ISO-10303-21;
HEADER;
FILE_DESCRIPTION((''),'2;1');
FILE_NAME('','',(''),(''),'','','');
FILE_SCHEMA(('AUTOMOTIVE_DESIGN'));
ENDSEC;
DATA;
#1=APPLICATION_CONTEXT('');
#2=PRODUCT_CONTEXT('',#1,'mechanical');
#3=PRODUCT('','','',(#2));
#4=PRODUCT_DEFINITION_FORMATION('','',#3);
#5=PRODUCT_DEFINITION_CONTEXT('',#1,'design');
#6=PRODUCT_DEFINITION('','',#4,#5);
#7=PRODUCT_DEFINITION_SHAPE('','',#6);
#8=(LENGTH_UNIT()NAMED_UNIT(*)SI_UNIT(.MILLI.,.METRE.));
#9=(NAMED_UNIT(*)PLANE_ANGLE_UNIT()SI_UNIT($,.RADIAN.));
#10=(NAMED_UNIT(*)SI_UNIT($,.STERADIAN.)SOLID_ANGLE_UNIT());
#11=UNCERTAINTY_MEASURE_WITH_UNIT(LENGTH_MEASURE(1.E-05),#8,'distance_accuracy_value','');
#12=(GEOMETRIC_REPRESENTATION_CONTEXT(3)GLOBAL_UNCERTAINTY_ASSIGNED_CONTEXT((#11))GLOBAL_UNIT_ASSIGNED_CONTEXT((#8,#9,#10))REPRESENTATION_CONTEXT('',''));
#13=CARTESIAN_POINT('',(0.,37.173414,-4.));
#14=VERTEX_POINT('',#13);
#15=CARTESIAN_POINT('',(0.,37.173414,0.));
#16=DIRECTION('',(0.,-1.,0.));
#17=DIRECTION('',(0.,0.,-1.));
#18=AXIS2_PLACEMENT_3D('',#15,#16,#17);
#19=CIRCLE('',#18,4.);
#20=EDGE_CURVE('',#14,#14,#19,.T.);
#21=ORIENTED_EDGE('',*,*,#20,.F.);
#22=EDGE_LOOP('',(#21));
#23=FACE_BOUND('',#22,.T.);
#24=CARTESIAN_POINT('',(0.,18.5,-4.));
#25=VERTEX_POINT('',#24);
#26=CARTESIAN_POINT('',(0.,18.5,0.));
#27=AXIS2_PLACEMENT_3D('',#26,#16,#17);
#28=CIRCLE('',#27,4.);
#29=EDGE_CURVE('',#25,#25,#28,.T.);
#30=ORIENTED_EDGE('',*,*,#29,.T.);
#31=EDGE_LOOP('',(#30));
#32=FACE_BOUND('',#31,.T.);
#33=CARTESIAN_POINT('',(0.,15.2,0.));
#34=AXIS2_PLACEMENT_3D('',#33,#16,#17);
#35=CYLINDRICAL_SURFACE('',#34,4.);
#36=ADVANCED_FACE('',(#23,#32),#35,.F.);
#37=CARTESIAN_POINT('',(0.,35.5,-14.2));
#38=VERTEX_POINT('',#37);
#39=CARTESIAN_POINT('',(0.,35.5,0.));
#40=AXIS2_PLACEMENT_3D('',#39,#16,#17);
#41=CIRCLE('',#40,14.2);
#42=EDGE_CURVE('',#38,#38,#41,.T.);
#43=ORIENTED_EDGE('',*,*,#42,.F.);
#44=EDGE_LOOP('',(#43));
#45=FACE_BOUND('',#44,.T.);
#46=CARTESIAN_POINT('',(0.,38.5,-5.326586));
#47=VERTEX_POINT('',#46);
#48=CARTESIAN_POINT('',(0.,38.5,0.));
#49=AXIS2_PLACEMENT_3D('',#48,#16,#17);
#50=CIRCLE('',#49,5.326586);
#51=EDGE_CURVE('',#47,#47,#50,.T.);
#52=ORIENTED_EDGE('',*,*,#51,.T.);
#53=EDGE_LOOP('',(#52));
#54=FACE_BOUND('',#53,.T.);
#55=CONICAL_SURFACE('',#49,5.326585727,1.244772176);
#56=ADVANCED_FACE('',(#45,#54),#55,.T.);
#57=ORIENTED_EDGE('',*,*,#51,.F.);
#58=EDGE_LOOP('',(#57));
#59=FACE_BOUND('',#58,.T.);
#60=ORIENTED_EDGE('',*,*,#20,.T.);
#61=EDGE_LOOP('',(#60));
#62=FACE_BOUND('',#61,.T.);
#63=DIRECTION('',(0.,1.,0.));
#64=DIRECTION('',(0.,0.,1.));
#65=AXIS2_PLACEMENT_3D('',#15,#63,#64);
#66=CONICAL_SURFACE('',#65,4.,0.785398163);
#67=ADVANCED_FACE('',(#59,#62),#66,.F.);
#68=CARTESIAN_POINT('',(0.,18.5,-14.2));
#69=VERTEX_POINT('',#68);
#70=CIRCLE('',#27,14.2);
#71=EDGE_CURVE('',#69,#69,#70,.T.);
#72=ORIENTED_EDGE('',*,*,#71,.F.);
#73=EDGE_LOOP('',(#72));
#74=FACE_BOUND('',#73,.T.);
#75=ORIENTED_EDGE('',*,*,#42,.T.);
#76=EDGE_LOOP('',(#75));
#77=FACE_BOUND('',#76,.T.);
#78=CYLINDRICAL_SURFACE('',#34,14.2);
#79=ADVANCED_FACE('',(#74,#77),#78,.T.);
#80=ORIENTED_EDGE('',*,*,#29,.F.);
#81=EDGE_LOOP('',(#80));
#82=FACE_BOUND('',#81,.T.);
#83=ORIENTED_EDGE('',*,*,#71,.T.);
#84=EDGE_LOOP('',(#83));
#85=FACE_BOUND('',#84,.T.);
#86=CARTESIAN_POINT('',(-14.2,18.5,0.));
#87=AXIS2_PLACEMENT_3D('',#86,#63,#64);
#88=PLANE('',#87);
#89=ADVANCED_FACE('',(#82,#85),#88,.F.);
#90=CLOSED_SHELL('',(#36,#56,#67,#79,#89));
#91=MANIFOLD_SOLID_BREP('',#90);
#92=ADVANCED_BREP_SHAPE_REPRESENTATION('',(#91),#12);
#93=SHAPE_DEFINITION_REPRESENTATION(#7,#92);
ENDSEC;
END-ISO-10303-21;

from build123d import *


with BuildPart() as part:
    # Sketch2 → Revolve1 (revolve)
    with BuildSketch(Plane.XY, mode=Mode.PRIVATE) as revolve1_sk:
        Polygon((-14.2, 18.5), (-4, 18.5), (-4, 37.173414273), (-5.326585727, 38.5), (-14.2, 35.5), align=None)
    revolve(revolve1_sk.sketch.rotate(Axis((0, 15.2, 0), (0, 1, 0)), 270), axis=Axis((0, 15.2, 0), (0, 1, 0)))


solid = part.part
